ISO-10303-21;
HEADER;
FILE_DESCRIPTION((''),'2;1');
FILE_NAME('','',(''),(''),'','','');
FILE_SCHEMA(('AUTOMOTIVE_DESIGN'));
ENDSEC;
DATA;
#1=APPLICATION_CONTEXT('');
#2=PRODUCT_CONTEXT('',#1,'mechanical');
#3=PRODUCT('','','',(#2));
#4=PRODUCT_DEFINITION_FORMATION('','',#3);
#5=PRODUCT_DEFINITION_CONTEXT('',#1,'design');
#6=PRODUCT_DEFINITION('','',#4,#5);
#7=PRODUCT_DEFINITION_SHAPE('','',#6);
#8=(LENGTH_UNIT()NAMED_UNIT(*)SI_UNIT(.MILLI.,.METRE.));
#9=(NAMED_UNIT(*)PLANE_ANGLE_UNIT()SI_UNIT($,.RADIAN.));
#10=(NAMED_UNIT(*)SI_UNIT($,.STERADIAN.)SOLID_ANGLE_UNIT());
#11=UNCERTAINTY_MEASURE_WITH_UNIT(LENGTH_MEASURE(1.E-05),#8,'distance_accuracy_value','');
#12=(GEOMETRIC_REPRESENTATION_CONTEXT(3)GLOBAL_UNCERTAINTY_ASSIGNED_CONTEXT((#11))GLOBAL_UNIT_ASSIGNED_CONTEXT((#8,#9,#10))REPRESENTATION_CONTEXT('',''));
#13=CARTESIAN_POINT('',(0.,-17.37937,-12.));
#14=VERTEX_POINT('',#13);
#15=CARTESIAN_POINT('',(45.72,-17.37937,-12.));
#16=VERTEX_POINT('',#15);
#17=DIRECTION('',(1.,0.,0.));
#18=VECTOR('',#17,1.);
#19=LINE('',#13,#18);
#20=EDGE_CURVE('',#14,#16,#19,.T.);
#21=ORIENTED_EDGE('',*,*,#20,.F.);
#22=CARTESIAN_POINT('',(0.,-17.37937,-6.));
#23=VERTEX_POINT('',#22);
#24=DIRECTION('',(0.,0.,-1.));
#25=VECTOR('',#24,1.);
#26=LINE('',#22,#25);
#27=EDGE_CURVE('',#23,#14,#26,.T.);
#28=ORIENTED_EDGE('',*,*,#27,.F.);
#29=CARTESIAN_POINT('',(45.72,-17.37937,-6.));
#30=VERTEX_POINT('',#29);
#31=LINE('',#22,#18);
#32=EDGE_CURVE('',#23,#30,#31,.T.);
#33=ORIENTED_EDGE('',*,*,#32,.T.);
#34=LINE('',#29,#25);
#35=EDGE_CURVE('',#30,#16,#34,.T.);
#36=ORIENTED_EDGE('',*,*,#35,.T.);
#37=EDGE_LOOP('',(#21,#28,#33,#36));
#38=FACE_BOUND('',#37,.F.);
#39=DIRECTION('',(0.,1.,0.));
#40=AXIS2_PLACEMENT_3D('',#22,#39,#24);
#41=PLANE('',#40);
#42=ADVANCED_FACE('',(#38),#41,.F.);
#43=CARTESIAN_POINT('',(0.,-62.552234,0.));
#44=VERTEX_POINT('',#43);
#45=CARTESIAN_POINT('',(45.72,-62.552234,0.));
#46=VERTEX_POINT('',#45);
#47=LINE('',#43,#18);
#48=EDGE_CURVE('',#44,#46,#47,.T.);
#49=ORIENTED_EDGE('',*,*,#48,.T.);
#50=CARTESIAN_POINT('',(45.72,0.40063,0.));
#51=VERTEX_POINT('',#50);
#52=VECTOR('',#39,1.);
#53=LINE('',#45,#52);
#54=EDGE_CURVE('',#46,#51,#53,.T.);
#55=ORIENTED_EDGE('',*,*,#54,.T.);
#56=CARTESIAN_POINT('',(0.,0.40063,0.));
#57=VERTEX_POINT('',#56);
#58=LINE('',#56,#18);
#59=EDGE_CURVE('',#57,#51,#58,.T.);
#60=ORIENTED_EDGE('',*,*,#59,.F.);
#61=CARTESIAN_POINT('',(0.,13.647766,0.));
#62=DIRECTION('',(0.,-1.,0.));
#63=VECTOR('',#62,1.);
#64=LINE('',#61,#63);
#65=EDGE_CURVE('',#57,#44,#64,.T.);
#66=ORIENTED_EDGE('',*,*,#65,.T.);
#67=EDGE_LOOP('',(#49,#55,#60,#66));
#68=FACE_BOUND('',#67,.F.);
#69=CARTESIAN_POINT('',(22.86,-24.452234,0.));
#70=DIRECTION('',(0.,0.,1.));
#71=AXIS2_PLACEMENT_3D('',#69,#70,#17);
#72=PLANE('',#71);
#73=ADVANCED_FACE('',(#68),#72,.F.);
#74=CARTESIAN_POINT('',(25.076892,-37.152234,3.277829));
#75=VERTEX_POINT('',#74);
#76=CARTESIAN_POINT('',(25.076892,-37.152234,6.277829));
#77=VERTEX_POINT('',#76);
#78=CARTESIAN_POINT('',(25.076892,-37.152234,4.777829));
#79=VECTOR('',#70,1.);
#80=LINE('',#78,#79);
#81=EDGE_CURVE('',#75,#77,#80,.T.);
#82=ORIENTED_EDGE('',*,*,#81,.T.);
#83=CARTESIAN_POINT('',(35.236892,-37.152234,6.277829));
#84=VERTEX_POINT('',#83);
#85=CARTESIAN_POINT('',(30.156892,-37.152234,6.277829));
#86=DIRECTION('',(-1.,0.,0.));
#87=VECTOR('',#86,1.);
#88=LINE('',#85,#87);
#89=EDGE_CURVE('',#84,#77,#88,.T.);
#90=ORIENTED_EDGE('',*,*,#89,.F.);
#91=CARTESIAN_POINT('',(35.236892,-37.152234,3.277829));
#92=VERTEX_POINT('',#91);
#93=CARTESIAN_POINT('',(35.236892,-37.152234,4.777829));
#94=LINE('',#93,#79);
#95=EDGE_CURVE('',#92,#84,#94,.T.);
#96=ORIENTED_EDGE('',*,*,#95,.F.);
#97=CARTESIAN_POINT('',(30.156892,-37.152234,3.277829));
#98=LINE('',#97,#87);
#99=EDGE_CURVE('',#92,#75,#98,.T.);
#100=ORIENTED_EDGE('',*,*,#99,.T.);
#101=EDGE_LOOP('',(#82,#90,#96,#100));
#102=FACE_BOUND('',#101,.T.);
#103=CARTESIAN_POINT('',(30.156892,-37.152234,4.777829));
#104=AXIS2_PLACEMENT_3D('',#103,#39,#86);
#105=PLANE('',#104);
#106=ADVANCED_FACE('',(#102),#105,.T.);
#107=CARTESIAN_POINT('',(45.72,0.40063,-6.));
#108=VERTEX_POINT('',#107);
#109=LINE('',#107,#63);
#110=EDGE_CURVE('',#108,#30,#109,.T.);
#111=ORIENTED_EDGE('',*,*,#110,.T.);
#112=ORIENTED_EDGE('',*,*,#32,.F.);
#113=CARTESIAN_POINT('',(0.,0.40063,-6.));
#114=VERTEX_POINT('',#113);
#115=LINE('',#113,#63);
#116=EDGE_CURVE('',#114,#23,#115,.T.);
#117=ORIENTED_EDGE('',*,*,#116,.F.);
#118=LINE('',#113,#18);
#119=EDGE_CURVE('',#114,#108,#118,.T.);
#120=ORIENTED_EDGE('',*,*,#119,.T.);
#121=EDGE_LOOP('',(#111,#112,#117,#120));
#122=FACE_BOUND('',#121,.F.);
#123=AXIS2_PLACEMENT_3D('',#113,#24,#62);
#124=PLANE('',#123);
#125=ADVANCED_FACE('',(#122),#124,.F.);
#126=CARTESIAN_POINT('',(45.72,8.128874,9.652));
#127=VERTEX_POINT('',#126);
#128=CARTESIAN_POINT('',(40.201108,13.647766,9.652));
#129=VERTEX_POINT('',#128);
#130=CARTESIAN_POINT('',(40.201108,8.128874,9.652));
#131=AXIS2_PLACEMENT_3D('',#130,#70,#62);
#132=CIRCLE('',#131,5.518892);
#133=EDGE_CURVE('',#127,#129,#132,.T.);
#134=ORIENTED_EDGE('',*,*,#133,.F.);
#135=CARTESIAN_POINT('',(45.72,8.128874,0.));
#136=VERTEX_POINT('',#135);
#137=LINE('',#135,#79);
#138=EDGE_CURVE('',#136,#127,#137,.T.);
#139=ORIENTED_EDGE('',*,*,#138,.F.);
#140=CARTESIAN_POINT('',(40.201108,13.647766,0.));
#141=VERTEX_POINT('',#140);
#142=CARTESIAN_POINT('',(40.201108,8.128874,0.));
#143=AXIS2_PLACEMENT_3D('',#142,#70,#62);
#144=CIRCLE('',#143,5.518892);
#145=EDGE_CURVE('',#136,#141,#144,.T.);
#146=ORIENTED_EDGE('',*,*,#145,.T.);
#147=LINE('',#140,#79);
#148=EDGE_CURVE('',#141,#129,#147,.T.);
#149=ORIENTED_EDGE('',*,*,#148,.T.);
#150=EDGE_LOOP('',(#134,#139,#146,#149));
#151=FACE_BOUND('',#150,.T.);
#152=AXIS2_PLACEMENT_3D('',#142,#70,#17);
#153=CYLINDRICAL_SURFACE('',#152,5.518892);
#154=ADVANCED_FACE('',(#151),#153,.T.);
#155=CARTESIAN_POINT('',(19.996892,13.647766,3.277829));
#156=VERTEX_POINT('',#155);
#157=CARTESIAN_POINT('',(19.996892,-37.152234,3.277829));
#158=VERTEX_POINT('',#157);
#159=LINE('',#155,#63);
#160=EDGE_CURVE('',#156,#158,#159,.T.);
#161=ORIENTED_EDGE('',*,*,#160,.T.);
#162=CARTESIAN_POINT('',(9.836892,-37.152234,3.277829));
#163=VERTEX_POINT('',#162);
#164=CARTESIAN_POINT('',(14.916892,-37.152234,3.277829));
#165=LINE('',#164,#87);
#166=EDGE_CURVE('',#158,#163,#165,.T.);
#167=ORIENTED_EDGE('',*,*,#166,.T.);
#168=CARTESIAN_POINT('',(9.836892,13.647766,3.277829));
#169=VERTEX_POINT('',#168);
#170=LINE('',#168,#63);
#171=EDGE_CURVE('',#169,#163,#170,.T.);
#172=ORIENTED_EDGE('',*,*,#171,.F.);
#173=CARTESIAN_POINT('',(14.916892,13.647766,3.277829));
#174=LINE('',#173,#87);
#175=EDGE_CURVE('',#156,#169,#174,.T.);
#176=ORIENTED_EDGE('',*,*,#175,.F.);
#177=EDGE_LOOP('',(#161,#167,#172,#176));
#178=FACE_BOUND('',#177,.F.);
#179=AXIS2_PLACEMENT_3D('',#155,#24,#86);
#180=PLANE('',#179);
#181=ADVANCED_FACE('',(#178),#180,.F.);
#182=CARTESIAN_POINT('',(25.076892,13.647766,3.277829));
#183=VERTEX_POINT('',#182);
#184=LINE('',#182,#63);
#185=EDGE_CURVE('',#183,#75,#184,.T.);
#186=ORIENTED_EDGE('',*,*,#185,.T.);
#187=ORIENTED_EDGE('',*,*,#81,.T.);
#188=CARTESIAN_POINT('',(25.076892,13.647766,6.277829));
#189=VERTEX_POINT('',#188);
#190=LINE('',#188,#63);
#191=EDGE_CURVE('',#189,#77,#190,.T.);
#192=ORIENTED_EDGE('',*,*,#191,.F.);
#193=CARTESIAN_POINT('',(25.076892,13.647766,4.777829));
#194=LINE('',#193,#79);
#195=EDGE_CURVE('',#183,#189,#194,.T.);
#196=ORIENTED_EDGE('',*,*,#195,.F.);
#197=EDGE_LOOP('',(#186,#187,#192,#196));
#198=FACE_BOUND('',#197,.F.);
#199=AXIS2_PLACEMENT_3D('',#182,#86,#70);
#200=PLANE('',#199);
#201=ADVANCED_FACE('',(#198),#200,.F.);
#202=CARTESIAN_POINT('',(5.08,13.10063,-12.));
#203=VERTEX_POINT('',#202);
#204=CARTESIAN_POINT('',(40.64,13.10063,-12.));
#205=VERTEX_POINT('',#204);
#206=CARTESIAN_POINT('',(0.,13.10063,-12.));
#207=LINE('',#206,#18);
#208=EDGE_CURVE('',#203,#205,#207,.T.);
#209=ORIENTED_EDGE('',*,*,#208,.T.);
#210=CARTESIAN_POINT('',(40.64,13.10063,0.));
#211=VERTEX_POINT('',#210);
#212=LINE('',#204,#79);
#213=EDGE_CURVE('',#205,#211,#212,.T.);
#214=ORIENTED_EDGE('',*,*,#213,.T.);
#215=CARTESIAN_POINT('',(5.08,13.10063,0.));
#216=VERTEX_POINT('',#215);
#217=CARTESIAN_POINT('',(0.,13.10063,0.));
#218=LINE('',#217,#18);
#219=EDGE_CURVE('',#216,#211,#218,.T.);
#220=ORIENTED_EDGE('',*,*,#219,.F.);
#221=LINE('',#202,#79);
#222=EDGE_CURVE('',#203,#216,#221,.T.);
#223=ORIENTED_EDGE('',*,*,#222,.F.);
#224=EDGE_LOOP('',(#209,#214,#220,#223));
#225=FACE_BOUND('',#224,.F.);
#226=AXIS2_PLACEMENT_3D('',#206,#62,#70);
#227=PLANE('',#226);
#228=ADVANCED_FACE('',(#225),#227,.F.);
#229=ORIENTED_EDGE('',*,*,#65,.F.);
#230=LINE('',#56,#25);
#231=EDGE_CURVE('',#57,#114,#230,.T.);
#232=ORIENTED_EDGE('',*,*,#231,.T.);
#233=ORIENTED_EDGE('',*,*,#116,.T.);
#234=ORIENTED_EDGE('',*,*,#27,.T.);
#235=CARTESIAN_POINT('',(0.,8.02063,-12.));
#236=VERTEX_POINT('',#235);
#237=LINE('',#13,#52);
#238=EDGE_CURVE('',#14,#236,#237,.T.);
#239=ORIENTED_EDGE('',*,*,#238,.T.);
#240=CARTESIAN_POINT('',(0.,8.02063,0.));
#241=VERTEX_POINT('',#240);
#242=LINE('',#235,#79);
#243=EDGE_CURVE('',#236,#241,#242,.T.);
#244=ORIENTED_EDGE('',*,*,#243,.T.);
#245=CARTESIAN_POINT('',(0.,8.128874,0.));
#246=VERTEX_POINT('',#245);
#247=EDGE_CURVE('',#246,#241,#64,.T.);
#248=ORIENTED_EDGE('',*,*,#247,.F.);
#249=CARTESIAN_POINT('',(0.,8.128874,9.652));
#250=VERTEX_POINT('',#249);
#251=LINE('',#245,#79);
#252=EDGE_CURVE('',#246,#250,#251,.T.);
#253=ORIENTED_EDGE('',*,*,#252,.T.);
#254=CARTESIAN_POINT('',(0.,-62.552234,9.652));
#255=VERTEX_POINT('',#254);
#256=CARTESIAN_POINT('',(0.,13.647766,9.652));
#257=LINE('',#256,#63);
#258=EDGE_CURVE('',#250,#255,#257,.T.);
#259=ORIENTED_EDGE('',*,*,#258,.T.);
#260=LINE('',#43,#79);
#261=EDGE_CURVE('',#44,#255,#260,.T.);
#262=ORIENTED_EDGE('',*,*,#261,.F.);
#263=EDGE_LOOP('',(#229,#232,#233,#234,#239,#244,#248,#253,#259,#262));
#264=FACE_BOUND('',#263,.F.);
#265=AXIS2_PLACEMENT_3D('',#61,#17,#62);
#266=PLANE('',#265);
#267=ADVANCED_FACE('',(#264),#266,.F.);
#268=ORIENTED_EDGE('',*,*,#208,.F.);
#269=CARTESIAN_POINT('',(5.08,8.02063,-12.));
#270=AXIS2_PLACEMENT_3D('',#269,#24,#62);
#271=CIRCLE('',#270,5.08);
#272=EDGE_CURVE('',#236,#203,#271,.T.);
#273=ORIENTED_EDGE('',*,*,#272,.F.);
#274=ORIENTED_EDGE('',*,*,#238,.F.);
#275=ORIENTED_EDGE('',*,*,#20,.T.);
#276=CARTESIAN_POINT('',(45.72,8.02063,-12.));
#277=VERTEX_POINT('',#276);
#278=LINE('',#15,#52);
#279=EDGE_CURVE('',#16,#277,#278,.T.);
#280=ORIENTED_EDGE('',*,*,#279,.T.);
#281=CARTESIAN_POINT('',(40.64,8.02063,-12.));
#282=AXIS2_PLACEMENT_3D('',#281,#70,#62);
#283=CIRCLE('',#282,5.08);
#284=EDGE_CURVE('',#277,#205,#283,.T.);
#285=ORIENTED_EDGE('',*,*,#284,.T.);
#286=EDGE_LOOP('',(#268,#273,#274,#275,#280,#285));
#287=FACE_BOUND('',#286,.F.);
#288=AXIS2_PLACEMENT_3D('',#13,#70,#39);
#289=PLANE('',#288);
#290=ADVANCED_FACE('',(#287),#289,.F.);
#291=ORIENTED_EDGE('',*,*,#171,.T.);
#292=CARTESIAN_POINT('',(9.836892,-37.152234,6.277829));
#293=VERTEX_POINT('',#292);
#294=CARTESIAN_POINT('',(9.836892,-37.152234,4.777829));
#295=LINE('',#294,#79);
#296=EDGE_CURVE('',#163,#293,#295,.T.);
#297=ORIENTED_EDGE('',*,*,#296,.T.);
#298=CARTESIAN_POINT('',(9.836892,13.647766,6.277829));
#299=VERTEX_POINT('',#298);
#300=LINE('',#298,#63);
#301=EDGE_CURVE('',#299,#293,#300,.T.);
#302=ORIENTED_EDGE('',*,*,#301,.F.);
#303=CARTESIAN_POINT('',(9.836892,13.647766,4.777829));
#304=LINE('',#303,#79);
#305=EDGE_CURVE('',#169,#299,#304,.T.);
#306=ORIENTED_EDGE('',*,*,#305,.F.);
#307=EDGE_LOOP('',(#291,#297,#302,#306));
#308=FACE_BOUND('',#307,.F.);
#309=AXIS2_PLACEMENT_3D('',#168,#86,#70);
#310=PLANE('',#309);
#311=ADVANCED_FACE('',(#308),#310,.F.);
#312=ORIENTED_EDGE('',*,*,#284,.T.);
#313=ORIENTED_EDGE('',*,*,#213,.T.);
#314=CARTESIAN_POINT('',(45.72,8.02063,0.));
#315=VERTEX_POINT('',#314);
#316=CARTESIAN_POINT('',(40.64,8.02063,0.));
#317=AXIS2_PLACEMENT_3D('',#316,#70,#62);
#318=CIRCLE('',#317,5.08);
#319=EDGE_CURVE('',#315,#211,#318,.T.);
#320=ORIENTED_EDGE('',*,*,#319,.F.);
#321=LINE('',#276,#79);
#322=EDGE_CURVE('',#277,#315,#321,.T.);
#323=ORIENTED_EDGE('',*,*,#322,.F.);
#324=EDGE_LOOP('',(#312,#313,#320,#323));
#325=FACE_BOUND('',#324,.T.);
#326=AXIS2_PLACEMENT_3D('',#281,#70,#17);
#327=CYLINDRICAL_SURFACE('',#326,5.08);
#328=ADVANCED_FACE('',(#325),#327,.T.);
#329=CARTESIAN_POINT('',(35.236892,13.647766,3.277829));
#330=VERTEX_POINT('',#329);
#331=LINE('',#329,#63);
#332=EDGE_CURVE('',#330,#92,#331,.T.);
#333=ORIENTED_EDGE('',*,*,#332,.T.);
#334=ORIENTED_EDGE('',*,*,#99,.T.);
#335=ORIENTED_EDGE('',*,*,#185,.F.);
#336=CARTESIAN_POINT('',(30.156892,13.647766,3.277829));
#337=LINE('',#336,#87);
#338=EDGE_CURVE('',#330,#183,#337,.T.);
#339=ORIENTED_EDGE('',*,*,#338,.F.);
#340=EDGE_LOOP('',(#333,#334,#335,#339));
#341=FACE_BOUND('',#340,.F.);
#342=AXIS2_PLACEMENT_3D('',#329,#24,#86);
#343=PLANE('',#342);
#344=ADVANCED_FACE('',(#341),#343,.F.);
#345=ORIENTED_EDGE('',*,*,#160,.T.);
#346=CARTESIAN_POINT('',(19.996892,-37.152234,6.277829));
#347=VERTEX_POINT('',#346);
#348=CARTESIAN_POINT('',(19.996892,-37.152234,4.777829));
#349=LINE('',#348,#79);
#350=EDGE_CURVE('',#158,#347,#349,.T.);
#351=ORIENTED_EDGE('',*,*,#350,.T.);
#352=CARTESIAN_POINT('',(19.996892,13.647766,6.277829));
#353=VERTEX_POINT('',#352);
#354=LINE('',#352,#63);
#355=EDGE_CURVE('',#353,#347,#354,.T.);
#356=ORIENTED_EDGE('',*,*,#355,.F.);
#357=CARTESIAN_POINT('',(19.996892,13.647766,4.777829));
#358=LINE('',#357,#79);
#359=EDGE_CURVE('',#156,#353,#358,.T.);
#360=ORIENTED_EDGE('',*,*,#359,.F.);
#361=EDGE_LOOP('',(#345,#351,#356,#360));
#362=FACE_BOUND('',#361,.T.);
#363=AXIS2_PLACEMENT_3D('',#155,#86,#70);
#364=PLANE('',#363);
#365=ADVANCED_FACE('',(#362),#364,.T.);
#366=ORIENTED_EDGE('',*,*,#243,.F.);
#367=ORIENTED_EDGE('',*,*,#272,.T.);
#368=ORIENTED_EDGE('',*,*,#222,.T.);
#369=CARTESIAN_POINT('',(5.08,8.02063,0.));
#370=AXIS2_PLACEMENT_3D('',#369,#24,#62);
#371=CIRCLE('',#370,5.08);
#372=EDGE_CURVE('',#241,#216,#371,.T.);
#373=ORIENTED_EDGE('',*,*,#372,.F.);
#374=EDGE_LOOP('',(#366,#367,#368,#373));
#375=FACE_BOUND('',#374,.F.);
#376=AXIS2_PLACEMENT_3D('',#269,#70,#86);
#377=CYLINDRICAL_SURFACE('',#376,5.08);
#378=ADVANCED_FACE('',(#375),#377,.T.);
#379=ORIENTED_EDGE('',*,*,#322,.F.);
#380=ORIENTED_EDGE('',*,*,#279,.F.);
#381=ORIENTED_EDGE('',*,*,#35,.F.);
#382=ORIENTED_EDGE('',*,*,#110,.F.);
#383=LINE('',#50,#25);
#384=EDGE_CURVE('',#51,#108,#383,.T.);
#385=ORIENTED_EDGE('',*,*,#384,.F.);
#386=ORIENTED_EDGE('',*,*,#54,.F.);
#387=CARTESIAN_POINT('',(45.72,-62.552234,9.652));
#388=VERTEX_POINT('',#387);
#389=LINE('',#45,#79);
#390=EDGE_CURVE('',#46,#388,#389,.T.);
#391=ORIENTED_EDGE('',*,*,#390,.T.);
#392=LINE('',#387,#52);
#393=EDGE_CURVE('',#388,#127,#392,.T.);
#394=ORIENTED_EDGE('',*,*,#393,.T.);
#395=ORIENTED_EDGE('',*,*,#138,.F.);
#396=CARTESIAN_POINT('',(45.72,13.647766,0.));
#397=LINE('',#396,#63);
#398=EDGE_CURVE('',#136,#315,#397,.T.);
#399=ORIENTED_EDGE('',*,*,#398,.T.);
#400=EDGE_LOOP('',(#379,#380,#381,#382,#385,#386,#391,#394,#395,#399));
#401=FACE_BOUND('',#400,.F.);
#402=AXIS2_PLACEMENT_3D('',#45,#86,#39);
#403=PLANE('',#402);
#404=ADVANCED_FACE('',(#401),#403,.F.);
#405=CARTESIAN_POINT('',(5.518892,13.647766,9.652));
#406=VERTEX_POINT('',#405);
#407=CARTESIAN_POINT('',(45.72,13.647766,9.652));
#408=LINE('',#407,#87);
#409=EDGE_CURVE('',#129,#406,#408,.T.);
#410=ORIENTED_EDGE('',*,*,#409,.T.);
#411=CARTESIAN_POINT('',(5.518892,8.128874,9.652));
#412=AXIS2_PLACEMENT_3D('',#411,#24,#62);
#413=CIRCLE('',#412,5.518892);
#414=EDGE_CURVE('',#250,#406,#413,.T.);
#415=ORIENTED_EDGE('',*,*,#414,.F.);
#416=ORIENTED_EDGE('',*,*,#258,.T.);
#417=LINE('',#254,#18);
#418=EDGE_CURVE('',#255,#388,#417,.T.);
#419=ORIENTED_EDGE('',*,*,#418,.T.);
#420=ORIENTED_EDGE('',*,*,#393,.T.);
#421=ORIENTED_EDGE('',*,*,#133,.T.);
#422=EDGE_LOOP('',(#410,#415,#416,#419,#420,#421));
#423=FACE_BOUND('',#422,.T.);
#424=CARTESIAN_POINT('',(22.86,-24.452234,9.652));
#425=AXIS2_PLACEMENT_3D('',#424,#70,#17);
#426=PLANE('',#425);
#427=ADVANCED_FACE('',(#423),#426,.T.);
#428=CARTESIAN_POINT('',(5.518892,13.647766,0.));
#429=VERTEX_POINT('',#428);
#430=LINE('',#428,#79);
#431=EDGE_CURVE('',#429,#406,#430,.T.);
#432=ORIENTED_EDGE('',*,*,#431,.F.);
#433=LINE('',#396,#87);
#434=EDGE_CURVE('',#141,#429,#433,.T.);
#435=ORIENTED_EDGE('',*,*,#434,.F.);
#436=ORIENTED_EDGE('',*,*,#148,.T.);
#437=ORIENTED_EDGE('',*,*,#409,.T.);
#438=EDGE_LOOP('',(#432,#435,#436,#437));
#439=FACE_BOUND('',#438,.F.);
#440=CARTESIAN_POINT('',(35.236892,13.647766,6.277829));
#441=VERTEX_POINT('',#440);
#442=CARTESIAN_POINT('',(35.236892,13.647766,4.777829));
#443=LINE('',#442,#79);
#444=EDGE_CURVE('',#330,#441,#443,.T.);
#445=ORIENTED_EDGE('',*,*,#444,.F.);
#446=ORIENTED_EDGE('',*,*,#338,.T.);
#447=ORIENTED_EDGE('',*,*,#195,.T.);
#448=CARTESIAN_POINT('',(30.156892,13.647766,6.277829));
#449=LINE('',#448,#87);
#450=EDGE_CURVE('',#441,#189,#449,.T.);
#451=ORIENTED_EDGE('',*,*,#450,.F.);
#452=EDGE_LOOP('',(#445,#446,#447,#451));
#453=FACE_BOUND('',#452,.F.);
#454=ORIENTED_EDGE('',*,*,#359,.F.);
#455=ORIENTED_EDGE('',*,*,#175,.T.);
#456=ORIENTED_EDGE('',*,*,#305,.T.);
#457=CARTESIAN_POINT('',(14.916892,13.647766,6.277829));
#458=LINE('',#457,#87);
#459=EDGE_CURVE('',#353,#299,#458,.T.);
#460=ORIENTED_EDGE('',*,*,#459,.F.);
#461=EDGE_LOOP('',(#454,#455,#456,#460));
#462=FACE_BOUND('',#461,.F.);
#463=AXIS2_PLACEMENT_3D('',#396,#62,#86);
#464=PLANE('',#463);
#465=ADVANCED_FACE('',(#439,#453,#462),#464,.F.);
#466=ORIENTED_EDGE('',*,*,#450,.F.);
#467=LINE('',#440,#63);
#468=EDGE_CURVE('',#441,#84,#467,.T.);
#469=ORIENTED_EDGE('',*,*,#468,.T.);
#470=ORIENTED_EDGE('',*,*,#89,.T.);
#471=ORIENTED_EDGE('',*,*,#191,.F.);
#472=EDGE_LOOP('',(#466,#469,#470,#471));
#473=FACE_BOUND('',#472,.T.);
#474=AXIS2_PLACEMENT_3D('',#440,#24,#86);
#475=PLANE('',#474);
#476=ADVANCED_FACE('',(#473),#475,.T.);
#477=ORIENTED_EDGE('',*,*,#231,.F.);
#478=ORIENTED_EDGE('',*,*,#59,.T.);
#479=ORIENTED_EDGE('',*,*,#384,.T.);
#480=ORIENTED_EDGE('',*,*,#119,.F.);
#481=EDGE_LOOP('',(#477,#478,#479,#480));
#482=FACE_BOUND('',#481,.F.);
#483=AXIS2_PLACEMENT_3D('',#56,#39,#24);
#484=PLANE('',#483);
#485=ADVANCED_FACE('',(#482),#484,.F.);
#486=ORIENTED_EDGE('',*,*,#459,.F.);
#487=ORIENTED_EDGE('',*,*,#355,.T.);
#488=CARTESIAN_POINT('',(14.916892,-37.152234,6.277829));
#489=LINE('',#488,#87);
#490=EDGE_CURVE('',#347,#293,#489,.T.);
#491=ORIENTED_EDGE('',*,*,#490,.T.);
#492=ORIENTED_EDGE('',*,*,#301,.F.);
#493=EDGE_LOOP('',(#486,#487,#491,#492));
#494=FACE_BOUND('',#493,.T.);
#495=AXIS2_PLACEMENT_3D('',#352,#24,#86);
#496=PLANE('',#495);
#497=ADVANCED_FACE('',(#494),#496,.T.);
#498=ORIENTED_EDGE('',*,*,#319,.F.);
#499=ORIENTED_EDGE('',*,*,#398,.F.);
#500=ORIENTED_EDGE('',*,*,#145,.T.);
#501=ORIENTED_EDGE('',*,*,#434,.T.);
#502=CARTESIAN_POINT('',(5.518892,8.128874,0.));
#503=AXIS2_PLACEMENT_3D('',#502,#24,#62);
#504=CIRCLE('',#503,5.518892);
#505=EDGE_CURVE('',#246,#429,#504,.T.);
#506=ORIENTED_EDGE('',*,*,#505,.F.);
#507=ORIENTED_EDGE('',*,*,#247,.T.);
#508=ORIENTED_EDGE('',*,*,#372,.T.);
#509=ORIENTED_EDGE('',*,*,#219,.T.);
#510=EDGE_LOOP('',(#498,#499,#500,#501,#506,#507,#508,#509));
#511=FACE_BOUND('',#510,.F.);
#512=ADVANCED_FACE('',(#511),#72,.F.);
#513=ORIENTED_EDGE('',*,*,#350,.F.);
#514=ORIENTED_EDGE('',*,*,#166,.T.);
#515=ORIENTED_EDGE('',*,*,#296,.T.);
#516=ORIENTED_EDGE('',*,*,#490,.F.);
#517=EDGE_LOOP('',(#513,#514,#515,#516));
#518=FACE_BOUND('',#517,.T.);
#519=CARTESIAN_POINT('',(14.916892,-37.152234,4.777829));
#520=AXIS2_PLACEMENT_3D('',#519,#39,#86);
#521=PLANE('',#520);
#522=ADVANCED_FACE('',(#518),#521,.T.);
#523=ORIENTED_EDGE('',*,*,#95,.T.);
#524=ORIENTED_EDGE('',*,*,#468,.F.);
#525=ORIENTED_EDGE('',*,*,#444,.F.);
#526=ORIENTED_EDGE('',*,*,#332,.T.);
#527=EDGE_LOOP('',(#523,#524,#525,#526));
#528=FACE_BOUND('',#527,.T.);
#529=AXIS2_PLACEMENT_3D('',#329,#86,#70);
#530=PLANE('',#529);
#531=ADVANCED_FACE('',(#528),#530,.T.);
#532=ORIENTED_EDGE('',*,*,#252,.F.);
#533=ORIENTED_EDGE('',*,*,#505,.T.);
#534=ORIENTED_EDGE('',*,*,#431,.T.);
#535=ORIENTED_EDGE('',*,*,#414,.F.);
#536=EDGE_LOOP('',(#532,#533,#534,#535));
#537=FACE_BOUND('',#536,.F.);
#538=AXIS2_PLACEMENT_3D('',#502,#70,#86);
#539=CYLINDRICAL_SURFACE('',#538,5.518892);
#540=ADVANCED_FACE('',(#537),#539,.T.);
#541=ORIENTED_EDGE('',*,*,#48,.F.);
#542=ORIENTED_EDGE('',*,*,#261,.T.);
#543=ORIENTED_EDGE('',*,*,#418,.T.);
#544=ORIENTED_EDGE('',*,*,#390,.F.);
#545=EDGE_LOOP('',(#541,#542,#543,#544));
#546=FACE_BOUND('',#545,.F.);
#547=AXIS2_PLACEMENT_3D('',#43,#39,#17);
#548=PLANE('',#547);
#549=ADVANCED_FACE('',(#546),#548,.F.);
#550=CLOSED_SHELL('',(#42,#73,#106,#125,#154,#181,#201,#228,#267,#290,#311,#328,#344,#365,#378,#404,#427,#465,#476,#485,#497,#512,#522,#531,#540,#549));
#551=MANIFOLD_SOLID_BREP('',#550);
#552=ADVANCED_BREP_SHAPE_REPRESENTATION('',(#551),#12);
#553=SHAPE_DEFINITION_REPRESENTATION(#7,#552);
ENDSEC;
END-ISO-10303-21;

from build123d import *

# Parameters (mm, degrees)
F1_DEPTH = 9.652
F4_DEPTH = 45.72
F5_R     = 5.08
F6_R     = 5.518892
F7_W     = 10.16
F7_H     = 3
F8_DEPTH = 50.8


with BuildPart() as f1:
    # F0 (on Top) → F1 (new body)
    with BuildSketch(Plane.XY):
        Polygon((0, 13.647766), (0, 0), (0, -62.552234), (45.72, -62.552234), (45.72, 13.647766), align=None)
    extrude(amount=F1_DEPTH)

    # F3 (on Right) → F4 (join)
    with BuildSketch(Plane.YZ):
        Polygon((13.10063, -12), (13.10063, 0), (0.40063, 0), (0.40063, -6), (-17.37937, -6), (-17.37937, -12), align=None)
    extrude(amount=F4_DEPTH)

    # F5
    f5_edges = [f1.edges().sort_by_distance(p)[0] for p in [
        (45.72, 13.10063, -6),
        (0, 13.10063, -6),
    ]]
    fillet(f5_edges, radius=F5_R)

    # F6
    f6_edges = [f1.edges().sort_by_distance(p)[0] for p in [
        (45.72, 13.647766, 4.826),
        (0, 13.647766, 4.826),
    ]]
    fillet(f6_edges, radius=F6_R)

    # F7 (on face) → F8 (cut)
    with BuildSketch(Plane(origin=(0, 13.647766, 0), x_dir=(-1, 0, 0), z_dir=(0, 1, 0))):
        with Locations((-30.156892, 4.777829)):
            Rectangle(F7_W, F7_H)
        with Locations((-14.916892, 4.777829)):
            Rectangle(F7_W, F7_H)
    extrude(amount=-F8_DEPTH, mode=Mode.SUBTRACT)


solid = f1.part
